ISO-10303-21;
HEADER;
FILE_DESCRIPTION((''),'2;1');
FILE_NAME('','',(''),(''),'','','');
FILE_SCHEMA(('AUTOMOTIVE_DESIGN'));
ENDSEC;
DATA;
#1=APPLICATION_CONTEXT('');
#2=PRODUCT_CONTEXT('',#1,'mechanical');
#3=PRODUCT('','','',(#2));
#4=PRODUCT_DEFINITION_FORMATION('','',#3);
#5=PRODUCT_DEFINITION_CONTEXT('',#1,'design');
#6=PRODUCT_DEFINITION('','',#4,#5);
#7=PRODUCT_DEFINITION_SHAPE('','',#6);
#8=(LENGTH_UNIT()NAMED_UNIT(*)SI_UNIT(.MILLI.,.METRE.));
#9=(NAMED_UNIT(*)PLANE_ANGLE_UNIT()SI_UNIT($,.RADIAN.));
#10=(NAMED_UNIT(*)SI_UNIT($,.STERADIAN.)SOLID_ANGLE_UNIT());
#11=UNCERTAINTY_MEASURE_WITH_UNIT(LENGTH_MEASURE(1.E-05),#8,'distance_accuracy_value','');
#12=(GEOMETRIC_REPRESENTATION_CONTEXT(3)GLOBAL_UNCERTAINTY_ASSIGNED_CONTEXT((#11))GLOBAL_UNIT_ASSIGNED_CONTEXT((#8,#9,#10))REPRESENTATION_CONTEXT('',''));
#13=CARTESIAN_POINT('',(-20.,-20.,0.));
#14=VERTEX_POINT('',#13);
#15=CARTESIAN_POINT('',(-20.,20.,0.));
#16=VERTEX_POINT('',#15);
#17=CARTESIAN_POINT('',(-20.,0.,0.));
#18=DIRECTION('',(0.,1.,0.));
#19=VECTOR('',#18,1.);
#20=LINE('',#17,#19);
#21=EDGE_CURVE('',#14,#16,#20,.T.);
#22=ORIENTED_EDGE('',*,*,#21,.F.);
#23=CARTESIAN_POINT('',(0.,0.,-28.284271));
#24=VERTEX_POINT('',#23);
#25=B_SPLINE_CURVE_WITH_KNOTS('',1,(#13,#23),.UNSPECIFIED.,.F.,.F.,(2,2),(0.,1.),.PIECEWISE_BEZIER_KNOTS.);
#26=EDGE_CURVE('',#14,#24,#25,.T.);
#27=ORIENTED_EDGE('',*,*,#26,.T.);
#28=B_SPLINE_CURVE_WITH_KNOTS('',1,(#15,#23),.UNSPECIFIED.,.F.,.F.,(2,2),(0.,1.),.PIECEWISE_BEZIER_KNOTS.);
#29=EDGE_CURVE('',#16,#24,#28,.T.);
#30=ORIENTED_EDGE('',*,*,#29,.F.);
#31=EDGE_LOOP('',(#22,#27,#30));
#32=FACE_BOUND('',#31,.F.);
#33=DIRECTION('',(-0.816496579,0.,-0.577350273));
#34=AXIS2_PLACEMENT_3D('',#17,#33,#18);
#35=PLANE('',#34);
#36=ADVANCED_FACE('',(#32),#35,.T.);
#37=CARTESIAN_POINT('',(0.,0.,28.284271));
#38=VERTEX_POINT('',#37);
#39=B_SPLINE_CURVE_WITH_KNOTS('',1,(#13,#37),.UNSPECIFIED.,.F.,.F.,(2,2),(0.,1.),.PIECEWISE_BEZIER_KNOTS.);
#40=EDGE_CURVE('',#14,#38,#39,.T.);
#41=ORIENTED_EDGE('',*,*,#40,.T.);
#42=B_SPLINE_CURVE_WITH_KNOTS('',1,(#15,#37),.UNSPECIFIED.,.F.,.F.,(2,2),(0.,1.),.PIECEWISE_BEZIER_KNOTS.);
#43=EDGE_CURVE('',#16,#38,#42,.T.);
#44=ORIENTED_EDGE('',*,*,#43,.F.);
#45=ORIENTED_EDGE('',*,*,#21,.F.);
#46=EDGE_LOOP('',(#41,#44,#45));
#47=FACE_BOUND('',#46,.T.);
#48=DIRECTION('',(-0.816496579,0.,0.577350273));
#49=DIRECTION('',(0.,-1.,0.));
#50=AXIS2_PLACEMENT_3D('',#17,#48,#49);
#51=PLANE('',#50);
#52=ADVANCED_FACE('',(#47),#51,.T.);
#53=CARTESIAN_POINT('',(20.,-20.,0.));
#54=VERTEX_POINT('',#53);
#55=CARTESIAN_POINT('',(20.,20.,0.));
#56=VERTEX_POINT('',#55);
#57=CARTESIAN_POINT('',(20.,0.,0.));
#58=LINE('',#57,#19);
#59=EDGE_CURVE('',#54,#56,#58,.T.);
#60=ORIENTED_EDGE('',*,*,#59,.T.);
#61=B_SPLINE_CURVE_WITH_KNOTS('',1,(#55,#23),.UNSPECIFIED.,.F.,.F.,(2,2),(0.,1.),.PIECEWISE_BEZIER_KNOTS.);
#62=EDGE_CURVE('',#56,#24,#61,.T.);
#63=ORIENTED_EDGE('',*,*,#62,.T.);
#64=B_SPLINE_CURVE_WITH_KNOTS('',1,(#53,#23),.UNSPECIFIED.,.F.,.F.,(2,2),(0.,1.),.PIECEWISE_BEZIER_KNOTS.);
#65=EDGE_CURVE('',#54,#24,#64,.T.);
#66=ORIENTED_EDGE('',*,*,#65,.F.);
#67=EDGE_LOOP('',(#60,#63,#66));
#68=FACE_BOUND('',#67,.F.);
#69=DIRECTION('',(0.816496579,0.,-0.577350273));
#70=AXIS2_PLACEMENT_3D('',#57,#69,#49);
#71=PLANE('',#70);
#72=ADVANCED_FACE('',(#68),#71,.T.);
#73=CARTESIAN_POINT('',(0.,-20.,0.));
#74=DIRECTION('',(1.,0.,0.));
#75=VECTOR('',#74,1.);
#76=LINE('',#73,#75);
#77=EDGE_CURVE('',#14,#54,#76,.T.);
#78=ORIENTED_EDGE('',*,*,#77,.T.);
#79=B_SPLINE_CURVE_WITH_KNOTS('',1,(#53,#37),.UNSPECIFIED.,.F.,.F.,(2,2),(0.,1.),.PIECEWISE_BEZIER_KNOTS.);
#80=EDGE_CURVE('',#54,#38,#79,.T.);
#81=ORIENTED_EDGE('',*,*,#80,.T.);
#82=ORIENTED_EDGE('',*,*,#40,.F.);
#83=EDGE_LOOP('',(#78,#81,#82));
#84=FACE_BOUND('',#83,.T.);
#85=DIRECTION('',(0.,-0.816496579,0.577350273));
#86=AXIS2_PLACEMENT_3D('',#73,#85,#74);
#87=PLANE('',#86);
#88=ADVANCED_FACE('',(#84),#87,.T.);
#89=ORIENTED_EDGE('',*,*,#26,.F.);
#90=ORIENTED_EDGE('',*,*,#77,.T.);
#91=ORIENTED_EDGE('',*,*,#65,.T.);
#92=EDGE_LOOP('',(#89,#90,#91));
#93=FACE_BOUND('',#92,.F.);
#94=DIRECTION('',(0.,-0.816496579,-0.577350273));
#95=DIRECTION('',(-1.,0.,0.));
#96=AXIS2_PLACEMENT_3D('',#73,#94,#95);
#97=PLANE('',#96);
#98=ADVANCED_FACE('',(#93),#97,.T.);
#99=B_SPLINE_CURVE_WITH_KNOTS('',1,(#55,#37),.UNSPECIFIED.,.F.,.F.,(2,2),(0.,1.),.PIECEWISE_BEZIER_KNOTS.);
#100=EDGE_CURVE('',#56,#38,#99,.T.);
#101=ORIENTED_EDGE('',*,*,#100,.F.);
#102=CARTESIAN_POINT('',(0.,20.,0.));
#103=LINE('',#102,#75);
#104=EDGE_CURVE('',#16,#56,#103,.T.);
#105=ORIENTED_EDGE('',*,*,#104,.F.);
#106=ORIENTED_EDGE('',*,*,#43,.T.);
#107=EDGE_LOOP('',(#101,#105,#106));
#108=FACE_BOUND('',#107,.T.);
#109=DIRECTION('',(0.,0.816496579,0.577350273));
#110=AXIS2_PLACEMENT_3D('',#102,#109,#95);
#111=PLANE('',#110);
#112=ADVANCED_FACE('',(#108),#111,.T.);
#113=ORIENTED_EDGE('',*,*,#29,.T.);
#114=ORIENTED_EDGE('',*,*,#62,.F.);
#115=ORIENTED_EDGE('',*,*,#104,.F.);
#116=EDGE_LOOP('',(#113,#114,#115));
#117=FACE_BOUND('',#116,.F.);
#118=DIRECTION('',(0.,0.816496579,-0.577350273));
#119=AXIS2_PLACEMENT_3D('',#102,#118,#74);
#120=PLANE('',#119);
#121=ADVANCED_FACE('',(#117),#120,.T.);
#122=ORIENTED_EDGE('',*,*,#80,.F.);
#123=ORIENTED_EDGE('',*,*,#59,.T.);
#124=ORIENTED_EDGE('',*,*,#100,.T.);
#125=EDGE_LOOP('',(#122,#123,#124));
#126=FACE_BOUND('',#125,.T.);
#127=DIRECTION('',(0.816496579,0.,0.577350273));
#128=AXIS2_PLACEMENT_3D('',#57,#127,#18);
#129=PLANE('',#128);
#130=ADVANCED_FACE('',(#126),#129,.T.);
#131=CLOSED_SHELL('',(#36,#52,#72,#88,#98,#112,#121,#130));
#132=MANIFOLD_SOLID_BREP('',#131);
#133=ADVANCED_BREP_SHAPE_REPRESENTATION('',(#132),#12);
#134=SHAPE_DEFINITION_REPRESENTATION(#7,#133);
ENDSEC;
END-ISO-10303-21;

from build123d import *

# Parameters (mm, degrees)
F0_W = 40
F0_H = 40


with BuildPart() as f2:
    # F0 (on Top) → F2 section 0
    with BuildSketch(Plane.XY, mode=Mode.PRIVATE) as f2_s0:
        Rectangle(F0_W, F0_H)
    loft([f2_s0.sketch, Vertex(0, 0, 28.284271)])

    # F3: F2 across plane


with BuildPart() as f2_1:
    add(f2.part)
    add(f2.part.mirror(Plane.XY))


solid = f2_1.part
